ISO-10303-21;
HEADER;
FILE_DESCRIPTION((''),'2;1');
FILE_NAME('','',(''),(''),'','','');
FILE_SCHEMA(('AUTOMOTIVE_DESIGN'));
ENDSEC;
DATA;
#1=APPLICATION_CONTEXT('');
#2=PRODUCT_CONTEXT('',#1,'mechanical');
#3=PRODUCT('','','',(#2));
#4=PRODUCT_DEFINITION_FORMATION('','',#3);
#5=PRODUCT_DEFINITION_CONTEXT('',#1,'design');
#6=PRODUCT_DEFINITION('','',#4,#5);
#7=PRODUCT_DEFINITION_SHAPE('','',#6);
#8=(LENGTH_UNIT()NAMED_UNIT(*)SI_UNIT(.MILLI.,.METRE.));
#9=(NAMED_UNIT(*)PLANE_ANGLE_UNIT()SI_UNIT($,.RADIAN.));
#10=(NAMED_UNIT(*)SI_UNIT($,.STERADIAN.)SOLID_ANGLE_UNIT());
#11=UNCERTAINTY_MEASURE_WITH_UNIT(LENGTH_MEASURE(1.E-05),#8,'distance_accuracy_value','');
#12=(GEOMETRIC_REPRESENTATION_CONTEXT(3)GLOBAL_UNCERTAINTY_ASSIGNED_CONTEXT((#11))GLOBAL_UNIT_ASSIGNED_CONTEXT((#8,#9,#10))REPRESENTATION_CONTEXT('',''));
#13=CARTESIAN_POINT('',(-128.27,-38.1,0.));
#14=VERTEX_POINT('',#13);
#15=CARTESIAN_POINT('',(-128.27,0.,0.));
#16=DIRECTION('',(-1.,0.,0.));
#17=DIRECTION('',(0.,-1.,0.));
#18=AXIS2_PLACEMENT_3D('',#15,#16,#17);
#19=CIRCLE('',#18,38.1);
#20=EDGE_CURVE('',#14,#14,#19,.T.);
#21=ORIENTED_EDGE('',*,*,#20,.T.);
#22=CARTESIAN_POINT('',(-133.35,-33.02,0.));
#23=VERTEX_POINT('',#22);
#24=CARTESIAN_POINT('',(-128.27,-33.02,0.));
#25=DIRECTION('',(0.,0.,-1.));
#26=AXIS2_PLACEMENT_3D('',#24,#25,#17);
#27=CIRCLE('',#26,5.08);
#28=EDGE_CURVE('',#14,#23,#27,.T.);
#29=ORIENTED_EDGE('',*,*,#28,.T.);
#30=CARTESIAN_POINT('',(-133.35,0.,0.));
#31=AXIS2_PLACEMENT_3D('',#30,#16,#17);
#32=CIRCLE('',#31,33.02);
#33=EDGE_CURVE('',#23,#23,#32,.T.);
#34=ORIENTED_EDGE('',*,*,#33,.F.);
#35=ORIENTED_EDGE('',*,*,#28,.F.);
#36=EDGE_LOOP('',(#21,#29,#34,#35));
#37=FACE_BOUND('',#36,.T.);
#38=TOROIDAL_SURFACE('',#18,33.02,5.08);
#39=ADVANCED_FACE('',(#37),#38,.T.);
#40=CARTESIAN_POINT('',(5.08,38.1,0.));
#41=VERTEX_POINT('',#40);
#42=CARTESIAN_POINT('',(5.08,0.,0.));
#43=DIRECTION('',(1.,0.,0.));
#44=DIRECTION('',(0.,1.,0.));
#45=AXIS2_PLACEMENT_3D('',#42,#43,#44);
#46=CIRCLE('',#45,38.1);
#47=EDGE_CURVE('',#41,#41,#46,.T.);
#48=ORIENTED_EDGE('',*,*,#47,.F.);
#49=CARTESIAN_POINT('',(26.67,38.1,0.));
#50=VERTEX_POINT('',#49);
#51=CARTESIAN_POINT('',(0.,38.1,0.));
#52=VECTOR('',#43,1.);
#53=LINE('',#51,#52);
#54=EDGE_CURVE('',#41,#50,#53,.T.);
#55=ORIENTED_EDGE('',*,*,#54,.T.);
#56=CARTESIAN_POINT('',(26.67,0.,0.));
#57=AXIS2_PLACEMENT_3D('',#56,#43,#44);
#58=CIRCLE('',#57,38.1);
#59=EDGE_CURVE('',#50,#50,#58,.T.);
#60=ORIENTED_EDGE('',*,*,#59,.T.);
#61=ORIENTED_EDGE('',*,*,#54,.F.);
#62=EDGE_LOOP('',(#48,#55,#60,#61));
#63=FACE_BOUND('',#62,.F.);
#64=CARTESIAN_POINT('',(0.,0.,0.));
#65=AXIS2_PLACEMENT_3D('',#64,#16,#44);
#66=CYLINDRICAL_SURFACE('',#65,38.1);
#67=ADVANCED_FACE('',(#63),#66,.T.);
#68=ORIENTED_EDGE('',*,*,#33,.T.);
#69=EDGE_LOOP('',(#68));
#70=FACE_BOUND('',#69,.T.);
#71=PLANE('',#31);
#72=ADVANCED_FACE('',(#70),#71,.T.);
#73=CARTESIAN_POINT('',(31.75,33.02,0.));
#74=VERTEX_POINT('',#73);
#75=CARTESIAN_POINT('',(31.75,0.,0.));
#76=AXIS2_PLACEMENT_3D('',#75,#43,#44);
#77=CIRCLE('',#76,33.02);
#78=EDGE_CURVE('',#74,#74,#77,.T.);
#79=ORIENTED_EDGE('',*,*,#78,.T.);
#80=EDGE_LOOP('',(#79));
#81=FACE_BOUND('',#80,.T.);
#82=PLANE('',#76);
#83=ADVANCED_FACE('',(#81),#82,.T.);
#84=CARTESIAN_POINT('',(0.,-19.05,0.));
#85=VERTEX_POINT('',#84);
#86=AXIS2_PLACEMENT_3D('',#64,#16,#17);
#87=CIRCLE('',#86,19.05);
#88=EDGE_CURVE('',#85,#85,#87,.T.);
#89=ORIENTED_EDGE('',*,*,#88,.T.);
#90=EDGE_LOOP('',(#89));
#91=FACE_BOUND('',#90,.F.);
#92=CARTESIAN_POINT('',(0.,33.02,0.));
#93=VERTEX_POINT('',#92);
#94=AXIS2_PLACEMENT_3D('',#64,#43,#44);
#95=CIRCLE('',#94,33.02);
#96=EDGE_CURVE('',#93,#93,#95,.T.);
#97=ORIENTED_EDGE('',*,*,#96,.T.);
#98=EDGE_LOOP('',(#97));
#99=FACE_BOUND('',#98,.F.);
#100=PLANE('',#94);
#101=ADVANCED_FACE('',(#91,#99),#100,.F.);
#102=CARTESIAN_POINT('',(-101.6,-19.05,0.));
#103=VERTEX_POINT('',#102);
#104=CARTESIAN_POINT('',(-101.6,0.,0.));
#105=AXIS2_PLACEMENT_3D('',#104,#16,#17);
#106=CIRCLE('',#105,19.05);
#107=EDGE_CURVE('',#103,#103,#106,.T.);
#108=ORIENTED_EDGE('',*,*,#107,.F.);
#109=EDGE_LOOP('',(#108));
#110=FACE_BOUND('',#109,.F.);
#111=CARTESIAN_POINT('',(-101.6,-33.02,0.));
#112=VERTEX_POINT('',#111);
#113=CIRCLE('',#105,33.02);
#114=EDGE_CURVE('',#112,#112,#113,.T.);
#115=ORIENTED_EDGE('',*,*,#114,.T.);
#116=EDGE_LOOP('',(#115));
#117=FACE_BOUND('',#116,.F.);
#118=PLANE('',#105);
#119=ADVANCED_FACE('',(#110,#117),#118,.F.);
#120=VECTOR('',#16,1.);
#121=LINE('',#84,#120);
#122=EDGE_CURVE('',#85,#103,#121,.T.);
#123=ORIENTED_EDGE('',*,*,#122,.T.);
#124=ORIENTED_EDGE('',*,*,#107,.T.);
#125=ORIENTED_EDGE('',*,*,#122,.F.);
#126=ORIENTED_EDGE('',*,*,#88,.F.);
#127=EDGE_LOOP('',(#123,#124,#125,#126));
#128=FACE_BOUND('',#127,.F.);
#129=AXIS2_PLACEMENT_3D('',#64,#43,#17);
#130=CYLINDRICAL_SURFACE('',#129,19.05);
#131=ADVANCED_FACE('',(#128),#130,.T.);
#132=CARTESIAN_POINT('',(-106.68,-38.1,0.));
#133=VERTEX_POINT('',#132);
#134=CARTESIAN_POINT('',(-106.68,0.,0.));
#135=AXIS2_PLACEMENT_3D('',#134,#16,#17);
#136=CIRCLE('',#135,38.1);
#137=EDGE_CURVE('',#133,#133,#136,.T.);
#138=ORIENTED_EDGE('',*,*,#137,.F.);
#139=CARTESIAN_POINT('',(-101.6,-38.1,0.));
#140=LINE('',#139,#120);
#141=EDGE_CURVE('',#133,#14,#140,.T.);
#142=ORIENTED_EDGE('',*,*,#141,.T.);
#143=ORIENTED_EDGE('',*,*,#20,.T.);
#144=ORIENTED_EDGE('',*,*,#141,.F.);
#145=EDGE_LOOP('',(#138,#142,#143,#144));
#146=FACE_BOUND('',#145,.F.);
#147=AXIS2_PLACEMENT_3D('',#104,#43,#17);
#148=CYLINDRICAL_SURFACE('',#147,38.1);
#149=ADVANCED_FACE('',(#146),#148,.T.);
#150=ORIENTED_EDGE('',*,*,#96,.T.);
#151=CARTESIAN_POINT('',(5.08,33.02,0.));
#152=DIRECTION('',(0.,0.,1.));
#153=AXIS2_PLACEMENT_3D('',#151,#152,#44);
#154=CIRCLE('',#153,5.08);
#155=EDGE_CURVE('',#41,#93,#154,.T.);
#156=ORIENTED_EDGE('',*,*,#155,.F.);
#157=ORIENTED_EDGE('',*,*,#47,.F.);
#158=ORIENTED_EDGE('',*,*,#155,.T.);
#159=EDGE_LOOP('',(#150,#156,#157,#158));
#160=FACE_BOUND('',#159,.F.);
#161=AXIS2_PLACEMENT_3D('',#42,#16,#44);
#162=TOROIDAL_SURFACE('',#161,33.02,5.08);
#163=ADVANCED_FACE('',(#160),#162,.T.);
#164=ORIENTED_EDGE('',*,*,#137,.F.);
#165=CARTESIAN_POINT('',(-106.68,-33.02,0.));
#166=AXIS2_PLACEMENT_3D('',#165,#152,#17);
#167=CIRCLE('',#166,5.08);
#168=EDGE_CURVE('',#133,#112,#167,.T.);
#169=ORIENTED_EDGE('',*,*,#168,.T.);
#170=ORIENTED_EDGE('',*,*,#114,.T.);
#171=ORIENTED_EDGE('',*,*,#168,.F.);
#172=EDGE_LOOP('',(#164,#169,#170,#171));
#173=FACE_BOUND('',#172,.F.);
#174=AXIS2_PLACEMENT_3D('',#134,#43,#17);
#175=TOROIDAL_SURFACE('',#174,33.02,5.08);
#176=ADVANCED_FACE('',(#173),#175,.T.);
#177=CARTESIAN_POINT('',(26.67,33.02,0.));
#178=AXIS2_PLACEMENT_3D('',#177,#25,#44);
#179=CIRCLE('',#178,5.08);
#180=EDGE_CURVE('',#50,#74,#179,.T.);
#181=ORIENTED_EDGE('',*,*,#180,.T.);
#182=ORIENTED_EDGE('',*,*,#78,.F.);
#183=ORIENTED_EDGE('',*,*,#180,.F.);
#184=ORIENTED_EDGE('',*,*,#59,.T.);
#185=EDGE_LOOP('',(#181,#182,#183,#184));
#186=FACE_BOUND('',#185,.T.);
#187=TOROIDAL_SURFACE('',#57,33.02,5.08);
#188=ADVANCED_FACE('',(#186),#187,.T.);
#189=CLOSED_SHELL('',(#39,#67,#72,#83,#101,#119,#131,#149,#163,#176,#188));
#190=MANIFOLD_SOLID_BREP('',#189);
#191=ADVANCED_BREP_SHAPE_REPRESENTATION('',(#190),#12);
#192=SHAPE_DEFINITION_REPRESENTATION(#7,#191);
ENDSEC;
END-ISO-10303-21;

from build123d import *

# Parameters (mm, degrees)
F0_R     = 38.1
F1_DEPTH = 31.75
F2_R     = 5.08
F3_R     = 19.05
F4_DEPTH = 101.6
F5_R     = 38.1
F6_DEPTH = 31.75
F7_R     = 5.08


with BuildPart() as f1:
    # F0 (on Right) → F1 (new body)
    with BuildSketch(Plane.YZ):
        Circle(F0_R)
    extrude(amount=F1_DEPTH)

    # F2
    f2_edges = [f1.edges().sort_by_distance(p)[0] for p in [
        (0, -38.1, 0),
        (31.75, -38.1, 0),
    ]]
    fillet(f2_edges, radius=F2_R)

    # F3 (on face) → F4 (join)
    with BuildSketch(Plane(origin=(0, 0, 0), x_dir=(0, -1, 0), z_dir=(-1, 0, 0))):
        Circle(F3_R)
    extrude(amount=F4_DEPTH)

    # F5 (on face) → F6 (join)
    with BuildSketch(Plane(origin=(-101.6, 0, 0), x_dir=(0, -1, 0), z_dir=(-1, 0, 0))):
        Circle(F5_R)
    extrude(amount=F6_DEPTH)

    # F7
    f7_edges = [f1.edges().sort_by_distance(p)[0] for p in [
        (-101.6, 38.1, 0),
        (-133.35, 38.1, 0),
    ]]
    fillet(f7_edges, radius=F7_R)


solid = f1.part
